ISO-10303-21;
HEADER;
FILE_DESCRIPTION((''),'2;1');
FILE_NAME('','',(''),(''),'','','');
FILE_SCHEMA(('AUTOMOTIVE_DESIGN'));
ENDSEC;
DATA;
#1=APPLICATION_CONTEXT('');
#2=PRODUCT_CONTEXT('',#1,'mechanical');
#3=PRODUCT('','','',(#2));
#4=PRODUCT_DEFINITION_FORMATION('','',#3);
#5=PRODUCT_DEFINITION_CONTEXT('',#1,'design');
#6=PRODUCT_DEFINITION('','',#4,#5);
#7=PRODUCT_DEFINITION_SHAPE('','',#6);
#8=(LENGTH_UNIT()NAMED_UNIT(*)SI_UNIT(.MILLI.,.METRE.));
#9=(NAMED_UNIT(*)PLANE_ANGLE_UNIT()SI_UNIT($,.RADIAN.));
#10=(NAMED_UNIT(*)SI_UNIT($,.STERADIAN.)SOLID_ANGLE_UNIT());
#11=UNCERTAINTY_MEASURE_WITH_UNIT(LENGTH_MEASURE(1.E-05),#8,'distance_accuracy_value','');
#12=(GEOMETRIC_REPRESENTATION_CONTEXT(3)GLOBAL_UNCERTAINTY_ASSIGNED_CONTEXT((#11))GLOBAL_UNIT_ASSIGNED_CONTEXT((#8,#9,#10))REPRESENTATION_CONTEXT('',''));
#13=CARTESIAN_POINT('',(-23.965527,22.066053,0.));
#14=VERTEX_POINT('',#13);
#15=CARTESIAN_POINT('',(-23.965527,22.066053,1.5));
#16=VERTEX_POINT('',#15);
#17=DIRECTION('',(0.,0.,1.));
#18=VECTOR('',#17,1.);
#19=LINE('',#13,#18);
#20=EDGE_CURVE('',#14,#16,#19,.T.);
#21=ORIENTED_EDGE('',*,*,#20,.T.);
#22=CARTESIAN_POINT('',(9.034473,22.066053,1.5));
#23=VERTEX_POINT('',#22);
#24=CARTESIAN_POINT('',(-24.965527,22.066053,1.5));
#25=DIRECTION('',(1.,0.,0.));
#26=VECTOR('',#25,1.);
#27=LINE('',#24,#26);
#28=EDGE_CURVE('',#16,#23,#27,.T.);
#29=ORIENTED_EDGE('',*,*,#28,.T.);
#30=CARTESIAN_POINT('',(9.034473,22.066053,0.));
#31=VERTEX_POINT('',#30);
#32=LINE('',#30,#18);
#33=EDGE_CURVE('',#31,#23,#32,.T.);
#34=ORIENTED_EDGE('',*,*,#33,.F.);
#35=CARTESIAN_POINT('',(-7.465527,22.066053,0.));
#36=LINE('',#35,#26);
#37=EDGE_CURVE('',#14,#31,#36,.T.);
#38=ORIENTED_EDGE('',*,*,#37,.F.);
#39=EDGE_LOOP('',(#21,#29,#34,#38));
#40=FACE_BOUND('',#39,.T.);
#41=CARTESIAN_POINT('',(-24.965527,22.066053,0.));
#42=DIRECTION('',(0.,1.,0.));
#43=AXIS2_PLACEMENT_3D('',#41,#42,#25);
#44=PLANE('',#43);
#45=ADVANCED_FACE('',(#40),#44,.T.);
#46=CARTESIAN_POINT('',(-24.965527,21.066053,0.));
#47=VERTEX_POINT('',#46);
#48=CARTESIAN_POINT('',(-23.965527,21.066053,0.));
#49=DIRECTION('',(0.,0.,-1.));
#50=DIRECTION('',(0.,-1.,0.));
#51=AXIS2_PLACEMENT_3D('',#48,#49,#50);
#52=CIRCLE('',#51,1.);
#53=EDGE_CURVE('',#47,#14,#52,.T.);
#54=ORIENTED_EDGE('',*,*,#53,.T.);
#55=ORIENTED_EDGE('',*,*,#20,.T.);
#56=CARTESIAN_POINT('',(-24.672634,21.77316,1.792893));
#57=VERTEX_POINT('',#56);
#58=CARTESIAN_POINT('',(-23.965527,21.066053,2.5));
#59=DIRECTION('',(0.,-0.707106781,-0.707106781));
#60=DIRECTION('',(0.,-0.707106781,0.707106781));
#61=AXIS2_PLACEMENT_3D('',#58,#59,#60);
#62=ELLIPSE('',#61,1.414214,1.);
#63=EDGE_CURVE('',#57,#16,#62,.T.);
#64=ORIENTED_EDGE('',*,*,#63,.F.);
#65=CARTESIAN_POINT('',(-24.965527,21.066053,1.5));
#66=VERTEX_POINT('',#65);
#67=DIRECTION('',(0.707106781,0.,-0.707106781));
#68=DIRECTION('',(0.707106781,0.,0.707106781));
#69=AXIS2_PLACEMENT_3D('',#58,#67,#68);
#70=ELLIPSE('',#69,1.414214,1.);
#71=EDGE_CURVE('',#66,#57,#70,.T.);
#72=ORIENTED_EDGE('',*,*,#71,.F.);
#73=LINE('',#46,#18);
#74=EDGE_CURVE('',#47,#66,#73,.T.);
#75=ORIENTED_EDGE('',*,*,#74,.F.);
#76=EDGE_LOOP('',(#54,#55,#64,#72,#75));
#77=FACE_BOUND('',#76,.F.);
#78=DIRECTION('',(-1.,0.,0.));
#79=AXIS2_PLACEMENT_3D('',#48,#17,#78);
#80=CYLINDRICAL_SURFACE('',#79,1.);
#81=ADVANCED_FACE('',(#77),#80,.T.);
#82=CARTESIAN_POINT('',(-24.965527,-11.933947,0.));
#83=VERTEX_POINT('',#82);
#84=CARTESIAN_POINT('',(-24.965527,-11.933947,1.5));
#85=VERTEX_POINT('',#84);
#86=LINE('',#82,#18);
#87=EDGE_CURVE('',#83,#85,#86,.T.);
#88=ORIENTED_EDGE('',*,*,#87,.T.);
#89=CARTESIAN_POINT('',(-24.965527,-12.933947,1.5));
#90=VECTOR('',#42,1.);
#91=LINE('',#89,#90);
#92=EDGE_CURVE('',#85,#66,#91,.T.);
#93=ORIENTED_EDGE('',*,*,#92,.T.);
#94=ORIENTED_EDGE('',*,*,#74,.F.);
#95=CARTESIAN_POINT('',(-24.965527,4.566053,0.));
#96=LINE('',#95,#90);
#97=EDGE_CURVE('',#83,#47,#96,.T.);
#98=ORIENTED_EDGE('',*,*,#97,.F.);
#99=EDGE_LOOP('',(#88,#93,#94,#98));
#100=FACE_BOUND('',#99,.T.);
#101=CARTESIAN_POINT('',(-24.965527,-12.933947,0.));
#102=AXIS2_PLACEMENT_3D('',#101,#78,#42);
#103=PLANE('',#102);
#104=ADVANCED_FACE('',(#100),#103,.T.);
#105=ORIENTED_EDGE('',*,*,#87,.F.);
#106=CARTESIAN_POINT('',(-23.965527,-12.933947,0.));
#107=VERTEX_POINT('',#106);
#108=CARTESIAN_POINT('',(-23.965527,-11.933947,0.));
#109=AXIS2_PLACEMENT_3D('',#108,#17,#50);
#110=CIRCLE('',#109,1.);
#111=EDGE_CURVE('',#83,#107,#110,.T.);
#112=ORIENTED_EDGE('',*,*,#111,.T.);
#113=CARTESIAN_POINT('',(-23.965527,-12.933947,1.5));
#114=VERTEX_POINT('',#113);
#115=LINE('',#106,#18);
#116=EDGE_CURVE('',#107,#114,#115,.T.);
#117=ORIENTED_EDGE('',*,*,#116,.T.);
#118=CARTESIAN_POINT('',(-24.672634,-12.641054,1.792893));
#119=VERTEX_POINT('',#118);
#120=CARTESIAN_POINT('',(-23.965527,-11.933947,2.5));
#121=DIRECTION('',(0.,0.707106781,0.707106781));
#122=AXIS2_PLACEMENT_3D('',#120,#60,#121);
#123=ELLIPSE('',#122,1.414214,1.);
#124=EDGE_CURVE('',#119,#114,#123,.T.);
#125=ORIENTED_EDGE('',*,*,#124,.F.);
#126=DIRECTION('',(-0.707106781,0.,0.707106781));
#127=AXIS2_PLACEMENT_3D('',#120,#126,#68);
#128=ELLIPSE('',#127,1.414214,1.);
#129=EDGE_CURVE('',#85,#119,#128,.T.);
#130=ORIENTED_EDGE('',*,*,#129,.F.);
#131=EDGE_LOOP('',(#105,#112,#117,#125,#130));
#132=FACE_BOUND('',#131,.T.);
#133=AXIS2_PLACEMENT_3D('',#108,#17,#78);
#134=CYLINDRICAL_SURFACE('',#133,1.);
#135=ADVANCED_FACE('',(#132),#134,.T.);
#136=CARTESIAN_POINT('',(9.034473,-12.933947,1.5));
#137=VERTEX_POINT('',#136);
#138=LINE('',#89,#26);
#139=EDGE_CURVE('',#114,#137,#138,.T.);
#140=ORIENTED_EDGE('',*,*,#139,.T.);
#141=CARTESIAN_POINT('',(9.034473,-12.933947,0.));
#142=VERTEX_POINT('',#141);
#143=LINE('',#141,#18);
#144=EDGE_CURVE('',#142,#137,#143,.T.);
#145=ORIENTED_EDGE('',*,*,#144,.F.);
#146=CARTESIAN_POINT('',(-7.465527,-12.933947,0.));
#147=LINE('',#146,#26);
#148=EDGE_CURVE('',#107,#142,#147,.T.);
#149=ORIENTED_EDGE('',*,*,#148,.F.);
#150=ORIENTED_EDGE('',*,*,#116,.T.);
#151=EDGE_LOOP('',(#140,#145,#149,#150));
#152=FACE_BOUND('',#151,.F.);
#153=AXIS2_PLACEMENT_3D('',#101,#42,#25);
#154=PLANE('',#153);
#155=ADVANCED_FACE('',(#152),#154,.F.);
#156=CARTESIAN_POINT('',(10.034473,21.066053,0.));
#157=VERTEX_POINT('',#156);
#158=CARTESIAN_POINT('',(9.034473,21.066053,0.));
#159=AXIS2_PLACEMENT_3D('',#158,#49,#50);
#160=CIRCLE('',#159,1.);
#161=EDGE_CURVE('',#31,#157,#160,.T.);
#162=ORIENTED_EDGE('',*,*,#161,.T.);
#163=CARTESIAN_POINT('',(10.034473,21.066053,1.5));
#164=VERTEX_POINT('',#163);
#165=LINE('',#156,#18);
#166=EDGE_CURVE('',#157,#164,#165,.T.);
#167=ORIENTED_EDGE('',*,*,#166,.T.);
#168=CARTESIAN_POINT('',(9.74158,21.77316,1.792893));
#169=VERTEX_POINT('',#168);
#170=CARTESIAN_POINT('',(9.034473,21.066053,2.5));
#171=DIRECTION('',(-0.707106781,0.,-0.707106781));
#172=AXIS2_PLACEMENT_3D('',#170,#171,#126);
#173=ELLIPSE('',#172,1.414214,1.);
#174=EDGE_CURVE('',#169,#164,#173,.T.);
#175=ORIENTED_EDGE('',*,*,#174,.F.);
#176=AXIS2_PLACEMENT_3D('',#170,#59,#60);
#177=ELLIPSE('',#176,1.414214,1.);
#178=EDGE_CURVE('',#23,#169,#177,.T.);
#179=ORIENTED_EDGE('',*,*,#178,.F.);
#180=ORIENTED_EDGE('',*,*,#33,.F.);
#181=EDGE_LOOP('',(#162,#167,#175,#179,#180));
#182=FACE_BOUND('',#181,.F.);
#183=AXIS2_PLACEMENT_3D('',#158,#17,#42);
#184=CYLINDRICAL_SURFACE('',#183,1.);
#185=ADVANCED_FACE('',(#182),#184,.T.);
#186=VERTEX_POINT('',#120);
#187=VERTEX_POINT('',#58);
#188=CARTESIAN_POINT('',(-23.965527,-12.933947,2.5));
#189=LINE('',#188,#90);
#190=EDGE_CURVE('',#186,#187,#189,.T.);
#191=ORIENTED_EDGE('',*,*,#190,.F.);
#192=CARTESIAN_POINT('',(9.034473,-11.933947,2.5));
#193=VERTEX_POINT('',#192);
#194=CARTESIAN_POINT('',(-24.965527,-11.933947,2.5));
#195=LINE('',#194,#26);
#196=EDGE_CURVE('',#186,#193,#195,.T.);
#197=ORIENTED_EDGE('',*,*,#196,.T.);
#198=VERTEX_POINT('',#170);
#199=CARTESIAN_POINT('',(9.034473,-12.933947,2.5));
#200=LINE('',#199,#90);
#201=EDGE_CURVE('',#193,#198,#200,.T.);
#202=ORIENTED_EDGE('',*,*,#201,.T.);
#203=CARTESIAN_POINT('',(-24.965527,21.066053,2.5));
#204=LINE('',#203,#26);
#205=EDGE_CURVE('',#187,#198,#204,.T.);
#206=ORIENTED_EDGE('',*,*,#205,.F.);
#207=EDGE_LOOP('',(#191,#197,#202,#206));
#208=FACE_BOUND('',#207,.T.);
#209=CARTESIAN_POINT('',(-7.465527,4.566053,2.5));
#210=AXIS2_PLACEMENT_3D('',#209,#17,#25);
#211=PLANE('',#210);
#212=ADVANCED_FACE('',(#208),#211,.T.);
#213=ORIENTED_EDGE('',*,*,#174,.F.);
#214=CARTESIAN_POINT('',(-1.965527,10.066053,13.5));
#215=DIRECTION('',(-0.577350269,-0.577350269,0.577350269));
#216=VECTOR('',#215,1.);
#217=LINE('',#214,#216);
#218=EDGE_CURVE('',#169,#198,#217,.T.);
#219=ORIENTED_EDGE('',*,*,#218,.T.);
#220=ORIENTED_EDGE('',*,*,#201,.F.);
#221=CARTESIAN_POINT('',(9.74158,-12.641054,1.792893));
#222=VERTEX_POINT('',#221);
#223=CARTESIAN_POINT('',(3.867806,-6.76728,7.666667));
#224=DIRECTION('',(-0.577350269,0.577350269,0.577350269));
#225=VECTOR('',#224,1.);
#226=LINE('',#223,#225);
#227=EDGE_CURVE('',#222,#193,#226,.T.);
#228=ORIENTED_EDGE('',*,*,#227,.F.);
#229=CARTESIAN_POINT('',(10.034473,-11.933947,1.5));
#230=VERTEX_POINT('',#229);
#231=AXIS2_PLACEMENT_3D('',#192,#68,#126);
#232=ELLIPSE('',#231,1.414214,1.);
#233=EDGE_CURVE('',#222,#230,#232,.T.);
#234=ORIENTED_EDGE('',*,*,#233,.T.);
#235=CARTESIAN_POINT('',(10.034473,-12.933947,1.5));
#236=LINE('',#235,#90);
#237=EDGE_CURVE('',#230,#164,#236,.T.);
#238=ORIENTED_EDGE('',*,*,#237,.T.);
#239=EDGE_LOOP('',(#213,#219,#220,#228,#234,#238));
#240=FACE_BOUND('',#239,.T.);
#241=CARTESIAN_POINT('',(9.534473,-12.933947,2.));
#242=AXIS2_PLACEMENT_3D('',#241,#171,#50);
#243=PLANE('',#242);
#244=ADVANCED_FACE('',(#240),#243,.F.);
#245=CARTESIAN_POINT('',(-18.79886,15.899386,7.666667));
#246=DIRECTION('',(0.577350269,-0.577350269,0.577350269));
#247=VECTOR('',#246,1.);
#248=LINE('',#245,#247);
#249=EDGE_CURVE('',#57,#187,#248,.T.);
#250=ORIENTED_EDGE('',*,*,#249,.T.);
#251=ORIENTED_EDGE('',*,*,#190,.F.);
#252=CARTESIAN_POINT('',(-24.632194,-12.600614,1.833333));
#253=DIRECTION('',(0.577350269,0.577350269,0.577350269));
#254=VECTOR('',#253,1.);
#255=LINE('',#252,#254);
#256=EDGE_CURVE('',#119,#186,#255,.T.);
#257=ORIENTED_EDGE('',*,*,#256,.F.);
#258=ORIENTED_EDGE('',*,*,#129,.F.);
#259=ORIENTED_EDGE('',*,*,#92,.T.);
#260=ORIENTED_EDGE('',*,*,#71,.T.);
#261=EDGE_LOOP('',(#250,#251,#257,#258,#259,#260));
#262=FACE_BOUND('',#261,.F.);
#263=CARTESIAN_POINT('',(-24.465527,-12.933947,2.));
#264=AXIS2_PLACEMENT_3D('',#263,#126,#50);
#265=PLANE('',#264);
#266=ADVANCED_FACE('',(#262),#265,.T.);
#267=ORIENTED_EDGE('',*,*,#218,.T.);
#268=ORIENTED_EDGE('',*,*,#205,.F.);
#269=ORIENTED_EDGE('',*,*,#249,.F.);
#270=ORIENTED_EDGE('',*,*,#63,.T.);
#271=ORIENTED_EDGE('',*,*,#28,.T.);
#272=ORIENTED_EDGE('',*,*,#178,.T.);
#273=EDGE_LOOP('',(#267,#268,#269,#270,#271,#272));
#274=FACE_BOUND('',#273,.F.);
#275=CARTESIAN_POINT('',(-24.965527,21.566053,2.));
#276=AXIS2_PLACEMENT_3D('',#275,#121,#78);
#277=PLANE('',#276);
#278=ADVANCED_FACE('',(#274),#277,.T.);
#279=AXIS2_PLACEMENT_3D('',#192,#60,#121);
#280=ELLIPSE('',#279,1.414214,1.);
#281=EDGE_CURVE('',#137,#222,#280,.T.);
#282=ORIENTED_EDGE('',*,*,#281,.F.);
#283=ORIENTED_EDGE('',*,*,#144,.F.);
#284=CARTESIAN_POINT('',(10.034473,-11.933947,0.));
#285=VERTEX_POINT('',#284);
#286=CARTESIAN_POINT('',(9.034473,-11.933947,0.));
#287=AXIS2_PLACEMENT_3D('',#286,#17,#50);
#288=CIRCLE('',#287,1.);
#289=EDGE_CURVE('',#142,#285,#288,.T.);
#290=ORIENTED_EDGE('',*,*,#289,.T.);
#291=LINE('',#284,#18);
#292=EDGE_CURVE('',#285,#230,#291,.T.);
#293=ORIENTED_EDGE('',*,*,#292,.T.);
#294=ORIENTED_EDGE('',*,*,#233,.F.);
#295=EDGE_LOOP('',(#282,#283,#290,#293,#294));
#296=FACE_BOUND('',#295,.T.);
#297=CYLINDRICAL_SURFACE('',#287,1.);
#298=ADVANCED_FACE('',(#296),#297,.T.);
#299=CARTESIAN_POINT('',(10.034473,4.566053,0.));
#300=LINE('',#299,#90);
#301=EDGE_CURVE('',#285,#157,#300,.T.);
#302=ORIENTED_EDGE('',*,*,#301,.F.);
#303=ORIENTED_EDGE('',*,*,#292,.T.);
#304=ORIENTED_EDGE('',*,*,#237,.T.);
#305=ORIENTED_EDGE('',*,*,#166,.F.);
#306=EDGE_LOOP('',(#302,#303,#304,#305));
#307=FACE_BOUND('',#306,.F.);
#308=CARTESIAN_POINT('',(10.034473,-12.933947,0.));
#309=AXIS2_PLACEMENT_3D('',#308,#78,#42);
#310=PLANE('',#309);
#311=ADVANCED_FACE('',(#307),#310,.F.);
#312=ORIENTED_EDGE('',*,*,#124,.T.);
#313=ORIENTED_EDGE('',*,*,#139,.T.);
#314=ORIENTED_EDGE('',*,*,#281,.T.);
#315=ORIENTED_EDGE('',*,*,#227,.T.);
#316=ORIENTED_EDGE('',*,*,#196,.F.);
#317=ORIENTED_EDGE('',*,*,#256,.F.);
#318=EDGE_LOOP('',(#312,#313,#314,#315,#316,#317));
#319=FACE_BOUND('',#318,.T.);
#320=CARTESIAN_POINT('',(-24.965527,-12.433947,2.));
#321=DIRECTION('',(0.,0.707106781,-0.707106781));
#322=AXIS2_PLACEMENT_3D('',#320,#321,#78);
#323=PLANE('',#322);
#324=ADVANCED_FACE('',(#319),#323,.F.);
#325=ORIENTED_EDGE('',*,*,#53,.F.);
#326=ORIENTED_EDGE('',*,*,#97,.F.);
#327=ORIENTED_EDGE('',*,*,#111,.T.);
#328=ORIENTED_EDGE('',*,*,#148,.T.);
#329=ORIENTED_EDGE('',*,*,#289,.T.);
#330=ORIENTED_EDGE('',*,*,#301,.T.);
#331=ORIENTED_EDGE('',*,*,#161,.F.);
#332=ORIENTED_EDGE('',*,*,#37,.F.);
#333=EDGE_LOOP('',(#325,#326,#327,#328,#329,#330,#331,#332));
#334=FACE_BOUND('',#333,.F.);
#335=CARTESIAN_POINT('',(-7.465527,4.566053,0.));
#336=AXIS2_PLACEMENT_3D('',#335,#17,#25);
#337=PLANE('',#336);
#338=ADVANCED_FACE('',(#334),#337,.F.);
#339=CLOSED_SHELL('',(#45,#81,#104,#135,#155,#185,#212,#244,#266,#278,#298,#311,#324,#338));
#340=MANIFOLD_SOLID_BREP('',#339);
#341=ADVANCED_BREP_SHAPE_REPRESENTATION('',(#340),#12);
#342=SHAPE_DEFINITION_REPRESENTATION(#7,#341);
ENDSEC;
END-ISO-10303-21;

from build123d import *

# Parameters (mm, degrees)
F0_W     = 35
F0_H     = 35
F1_DEPTH = 2.5
F2_SIZE  = 1
F3_R     = 1
F4_R     = 1


with BuildPart() as f1:
    # F0 (on Top) → F1 (new body)
    with BuildSketch(Plane.XY):
        with Locations((-7.465527, 4.566053)):
            Rectangle(F0_W, F0_H)
    extrude(amount=F1_DEPTH)

    # F2
    f2_edges = [f1.edges().sort_by_distance(p)[0] for p in [
        (-7.465527, -12.933947, 2.5),
        (-24.965527, 4.566053, 2.5),
        (-7.465527, 22.066053, 2.5),
        (10.034473, 4.566053, 2.5),
    ]]
    chamfer(f2_edges, length=F2_SIZE)

    # F3
    f3_edges = [f1.edges().sort_by_distance(p)[0] for p in [
        (-24.965527, -12.933947, 0.75),
    ]]
    fillet(f3_edges, radius=F3_R)

    # F4
    f4_edges = [f1.edges().sort_by_distance(p)[0] for p in [
        (-24.965527, 22.066053, 0.75),
        (10.034473, 22.066053, 0.75),
        (10.034473, -12.933947, 0.75),
    ]]
    fillet(f4_edges, radius=F4_R)


solid = f1.part
